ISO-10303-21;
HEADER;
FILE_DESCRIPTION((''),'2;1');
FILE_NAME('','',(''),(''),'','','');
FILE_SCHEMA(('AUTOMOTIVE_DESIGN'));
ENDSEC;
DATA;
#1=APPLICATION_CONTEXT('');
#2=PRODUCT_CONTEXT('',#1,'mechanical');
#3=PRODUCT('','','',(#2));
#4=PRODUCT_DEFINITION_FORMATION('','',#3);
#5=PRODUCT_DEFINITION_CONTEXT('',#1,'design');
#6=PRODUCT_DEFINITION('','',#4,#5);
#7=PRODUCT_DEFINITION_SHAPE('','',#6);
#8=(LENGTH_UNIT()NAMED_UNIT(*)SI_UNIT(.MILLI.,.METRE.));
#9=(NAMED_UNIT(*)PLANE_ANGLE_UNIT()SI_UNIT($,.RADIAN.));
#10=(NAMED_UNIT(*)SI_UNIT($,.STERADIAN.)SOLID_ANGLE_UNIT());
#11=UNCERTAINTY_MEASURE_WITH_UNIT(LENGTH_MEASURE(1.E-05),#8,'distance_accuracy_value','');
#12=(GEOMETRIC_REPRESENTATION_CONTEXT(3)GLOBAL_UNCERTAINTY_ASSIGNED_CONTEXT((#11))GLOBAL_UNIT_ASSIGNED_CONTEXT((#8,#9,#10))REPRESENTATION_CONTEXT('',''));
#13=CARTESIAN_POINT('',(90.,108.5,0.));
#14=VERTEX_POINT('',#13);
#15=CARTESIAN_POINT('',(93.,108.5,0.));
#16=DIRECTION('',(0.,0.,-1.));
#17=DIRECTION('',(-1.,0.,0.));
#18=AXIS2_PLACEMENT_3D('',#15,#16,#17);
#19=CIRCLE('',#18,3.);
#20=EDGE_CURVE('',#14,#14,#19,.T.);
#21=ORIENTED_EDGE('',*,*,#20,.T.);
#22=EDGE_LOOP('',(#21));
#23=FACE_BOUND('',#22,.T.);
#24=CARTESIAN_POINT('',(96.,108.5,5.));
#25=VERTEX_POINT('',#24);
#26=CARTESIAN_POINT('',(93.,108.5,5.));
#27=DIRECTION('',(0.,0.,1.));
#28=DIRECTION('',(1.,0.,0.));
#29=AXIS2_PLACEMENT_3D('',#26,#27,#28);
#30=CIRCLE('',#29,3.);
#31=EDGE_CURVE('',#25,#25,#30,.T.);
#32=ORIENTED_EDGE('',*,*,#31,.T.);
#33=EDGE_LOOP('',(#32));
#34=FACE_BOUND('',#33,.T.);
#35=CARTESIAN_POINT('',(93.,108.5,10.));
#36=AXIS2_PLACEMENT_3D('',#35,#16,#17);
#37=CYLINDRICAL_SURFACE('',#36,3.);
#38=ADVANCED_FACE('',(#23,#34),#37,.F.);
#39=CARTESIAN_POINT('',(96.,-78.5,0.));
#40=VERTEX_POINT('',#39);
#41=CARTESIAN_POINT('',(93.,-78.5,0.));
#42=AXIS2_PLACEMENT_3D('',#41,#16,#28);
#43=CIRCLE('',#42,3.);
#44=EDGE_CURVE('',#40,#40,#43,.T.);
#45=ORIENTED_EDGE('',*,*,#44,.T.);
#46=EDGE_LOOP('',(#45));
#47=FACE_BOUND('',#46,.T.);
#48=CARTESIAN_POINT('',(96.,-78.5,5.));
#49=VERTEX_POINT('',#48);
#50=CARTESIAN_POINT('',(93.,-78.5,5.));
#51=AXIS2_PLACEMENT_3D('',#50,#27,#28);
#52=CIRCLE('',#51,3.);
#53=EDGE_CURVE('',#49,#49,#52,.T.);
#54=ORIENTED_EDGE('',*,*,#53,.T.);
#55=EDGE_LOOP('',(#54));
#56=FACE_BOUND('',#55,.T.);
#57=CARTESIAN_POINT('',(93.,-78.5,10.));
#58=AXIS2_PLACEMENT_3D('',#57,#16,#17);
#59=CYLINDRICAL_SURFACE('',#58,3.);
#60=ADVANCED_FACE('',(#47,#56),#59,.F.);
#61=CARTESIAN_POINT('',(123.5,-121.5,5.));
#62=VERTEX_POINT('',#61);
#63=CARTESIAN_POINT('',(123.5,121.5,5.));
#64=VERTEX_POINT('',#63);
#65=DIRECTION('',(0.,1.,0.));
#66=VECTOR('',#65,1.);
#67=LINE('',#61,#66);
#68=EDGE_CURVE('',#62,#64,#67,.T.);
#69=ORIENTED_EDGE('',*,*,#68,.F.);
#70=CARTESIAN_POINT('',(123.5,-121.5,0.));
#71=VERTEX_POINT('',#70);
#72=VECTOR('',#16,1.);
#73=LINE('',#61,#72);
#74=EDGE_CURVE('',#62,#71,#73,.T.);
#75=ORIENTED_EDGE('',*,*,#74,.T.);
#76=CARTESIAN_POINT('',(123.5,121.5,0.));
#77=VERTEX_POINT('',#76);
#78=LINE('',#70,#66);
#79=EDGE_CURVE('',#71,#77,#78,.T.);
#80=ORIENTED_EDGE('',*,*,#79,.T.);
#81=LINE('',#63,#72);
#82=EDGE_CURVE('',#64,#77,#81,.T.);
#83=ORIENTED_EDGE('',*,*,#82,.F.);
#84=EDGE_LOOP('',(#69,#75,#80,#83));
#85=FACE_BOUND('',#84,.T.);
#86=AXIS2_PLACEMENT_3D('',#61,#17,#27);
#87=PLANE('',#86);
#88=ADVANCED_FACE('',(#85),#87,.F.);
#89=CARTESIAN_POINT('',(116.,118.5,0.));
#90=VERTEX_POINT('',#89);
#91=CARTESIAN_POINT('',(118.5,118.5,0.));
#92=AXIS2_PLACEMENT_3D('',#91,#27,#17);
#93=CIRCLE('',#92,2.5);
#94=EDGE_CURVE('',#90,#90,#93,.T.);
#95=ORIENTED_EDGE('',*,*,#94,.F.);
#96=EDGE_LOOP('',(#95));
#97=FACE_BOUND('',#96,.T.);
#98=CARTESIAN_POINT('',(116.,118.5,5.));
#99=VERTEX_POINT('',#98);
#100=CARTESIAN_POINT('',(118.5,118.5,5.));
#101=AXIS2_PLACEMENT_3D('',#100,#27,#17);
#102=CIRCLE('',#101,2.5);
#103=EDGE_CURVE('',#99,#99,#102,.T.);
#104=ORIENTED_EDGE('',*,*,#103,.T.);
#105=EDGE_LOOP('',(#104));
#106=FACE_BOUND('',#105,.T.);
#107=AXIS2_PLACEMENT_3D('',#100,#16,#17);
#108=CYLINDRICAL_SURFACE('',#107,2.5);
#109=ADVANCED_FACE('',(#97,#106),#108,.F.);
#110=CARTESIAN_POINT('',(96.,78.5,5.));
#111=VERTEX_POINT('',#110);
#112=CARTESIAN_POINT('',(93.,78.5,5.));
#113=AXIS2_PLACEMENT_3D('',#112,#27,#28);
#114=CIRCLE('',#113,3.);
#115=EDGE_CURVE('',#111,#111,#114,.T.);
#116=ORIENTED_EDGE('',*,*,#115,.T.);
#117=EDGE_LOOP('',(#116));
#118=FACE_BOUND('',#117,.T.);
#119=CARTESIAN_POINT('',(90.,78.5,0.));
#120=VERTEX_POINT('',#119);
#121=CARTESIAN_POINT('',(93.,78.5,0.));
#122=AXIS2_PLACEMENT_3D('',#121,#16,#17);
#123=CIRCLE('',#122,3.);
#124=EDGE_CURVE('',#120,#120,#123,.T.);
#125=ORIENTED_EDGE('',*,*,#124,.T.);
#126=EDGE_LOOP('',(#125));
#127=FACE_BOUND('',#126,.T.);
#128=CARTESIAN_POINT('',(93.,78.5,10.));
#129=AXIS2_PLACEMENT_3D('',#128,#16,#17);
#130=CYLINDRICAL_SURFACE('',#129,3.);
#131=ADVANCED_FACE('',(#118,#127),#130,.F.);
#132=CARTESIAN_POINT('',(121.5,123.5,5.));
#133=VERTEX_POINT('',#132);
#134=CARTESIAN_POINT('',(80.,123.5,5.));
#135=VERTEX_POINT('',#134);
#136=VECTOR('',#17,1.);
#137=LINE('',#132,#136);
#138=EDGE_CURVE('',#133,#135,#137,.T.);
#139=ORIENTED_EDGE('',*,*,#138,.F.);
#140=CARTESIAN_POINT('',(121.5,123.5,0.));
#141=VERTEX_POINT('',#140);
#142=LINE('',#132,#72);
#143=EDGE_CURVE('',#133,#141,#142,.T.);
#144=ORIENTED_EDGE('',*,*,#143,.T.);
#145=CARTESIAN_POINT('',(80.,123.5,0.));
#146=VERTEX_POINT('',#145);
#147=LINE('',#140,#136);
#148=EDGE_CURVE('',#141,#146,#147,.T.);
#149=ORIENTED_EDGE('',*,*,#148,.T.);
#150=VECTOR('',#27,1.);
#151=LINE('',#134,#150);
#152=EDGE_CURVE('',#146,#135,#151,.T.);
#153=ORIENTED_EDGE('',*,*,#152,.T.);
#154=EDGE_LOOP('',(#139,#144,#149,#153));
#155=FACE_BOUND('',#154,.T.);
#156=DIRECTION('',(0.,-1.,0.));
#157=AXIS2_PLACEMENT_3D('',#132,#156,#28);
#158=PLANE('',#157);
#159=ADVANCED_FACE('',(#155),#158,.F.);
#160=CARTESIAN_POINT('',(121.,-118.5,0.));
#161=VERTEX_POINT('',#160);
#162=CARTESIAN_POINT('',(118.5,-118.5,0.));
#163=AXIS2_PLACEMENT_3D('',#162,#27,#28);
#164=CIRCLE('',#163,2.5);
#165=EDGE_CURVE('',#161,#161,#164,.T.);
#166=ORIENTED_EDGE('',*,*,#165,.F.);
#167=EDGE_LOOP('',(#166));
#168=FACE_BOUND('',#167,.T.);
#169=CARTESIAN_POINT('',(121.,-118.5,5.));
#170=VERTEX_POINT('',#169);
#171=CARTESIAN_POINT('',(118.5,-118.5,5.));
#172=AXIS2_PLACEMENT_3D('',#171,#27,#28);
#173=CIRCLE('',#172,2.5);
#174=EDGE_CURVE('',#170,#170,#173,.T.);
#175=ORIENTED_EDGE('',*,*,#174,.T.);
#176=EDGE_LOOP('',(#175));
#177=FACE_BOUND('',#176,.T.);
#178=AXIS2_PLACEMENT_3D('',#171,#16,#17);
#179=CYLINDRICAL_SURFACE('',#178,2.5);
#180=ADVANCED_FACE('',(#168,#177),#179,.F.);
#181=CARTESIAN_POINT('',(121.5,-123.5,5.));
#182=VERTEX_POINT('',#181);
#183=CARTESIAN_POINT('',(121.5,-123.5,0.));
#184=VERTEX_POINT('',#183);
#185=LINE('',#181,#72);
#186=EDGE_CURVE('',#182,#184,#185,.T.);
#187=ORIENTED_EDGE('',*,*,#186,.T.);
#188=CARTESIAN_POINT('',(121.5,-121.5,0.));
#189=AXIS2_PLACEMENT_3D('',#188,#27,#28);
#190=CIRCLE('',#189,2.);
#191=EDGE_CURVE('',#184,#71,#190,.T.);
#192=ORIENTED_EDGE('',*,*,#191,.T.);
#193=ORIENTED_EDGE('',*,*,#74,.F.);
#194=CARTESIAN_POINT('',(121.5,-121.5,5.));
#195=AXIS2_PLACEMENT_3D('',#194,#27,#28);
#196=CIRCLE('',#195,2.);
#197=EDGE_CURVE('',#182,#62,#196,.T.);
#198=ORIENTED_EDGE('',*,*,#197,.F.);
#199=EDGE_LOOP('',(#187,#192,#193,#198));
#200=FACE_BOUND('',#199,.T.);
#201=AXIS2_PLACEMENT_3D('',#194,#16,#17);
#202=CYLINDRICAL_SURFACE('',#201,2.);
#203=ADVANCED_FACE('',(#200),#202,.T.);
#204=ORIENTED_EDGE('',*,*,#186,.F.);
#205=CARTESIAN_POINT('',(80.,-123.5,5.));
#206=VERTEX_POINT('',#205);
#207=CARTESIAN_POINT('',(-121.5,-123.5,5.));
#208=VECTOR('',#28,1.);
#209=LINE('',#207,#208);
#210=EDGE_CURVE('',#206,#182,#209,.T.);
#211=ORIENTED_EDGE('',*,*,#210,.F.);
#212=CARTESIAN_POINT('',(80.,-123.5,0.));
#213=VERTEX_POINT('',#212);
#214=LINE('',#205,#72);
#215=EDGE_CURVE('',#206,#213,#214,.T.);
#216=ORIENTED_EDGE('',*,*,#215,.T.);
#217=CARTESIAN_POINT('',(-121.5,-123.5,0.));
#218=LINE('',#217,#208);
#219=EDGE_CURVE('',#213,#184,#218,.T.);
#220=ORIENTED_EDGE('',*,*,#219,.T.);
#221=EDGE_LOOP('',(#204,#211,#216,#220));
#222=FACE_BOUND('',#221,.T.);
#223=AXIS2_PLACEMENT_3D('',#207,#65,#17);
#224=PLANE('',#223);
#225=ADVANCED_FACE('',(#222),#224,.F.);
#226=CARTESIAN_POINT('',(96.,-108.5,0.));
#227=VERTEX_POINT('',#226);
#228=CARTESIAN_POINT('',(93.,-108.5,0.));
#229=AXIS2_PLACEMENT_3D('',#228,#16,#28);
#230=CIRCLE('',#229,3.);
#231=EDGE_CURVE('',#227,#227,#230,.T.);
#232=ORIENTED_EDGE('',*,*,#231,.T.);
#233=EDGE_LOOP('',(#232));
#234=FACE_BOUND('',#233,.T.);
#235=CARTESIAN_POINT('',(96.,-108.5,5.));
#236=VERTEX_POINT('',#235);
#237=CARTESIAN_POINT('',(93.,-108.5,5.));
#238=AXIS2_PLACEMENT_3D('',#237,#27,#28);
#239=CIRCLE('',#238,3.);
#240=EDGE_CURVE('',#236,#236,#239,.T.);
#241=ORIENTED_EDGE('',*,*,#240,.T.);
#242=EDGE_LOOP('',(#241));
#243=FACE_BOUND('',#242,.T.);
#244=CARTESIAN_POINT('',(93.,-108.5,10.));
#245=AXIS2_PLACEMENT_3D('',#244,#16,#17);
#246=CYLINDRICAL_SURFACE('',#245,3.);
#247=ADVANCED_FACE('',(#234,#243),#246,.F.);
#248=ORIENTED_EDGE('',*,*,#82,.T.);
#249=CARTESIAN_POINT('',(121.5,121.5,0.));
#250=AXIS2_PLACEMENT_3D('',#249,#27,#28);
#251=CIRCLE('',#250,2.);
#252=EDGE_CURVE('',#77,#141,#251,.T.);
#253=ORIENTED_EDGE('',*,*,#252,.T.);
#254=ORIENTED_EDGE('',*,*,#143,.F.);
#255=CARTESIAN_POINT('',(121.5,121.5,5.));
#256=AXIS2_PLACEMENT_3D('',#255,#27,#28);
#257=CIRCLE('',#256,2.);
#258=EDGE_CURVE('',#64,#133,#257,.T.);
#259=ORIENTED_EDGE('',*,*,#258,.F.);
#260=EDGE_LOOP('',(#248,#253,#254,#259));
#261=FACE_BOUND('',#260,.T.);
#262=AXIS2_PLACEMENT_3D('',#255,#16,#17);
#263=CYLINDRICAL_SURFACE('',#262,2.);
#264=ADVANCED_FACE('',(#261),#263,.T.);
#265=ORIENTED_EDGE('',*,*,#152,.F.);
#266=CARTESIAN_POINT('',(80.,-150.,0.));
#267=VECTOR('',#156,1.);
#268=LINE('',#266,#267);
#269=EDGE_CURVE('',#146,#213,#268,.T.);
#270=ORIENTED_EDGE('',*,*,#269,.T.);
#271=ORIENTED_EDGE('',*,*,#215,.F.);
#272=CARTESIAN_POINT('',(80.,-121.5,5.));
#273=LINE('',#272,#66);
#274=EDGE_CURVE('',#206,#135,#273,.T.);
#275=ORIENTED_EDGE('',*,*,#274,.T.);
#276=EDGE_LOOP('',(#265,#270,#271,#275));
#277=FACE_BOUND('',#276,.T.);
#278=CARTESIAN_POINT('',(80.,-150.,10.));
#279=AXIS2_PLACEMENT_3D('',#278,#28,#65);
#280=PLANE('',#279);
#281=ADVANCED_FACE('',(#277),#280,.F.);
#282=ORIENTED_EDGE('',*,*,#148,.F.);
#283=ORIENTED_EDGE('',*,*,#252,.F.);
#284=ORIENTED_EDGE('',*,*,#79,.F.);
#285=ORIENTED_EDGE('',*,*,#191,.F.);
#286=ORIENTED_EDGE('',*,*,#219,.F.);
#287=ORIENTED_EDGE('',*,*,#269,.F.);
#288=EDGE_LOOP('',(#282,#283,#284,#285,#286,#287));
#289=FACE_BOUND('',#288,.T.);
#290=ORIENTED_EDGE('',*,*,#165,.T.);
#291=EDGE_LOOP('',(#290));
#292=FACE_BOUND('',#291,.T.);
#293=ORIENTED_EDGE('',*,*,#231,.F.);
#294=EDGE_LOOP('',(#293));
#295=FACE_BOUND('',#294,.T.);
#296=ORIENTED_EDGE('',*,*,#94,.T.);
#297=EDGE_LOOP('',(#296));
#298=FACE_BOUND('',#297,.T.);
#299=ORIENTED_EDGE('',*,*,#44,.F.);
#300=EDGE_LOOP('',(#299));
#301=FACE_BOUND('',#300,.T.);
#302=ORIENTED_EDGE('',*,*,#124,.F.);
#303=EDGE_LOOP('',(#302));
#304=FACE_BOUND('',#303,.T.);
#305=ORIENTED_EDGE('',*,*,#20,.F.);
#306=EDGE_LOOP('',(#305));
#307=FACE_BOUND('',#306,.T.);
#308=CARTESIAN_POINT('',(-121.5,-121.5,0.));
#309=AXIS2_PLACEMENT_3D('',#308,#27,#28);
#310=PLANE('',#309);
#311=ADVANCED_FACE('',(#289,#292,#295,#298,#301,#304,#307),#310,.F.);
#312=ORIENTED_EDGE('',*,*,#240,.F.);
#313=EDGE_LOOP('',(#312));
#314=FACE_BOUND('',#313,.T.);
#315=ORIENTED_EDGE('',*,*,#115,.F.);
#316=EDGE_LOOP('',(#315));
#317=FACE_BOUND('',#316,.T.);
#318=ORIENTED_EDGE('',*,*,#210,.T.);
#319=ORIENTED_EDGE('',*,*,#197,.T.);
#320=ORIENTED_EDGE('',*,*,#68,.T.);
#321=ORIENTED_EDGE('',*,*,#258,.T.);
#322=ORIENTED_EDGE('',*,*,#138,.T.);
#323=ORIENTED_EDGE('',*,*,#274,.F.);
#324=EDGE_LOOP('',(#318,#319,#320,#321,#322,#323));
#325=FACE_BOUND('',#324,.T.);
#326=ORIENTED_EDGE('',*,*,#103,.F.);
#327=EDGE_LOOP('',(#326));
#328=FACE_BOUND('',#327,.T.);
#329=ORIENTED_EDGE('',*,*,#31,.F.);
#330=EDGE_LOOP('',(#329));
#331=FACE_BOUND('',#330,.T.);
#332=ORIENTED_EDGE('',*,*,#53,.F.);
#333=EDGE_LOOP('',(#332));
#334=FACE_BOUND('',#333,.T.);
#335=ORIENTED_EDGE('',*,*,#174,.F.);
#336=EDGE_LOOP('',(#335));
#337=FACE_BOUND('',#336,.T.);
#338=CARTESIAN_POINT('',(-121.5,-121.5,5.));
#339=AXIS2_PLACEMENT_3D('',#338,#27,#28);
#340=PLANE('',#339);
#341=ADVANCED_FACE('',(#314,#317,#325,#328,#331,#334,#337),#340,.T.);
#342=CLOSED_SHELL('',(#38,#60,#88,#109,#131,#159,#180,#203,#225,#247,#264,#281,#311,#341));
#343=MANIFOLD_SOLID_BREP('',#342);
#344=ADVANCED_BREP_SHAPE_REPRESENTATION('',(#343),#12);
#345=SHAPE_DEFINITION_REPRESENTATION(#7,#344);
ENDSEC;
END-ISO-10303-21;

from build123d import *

# Parameters (mm, degrees)
SKETCH1_R           = 2.5
BOSS_EXTRUDE1_DEPTH = 5
SKETCH2_R           = 1.5
SKETCH2_W           = 50
SKETCH2_H           = 50
CUT_EXTRUDE1_DEPTH  = 5
SKETCH3_W           = 250
SKETCH3_H           = 300
CUT_EXTRUDE2_DEPTH  = 10
SKETCH4_R           = 3
CUT_EXTRUDE3_DEPTH  = 10


with BuildPart() as part:
    # Sketch1 → Boss-Extrude1 (new body)
    with BuildSketch(Plane.XY):
        with BuildLine():
            Line((-123.5, 121.5), (-123.5, -121.5))
            ThreePointArc((-123.5, -121.5), (-122.914213562, -122.914213562), (-121.5, -123.5))
            Line((-121.5, -123.5), (121.5, -123.5))
            ThreePointArc((121.5, -123.5), (122.914213562, -122.914213562), (123.5, -121.5))
            Line((123.5, -121.5), (123.5, 121.5))
            ThreePointArc((123.5, 121.5), (122.914213562, 122.914213562), (121.5, 123.5))
            Line((121.5, 123.5), (-121.5, 123.5))
            ThreePointArc((-121.5, 123.5), (-122.914213562, 122.914213562), (-123.5, 121.5))
        make_face()
        with Locations((-118.5, 118.5)):
            Circle(SKETCH1_R, mode=Mode.SUBTRACT)
        with Locations((118.5, 118.5)):
            Circle(SKETCH1_R, mode=Mode.SUBTRACT)
        with Locations((118.5, -118.5)):
            Circle(SKETCH1_R, mode=Mode.SUBTRACT)
        with Locations((-118.5, -118.5)):
            Circle(SKETCH1_R, mode=Mode.SUBTRACT)
    extrude(amount=BOSS_EXTRUDE1_DEPTH)

    # Sketch2 → Cut-Extrude1 (cut)
    with BuildSketch(Plane(origin=(0, 0, 0), x_dir=(-1, 0, 0), z_dir=(0, 0, -1))):
        with Locations((28.284271247, 28.284271247)):
            Circle(SKETCH2_R)
        with Locations((28.284271247, -28.284271247)):
            Circle(SKETCH2_R)
        with Locations((-28.284271247, -28.284271247)):
            Circle(SKETCH2_R)
        with Locations((-28.284271247, 28.284271247)):
            Circle(SKETCH2_R)
        Rectangle(SKETCH2_W, SKETCH2_H)
    extrude(amount=-CUT_EXTRUDE1_DEPTH, mode=Mode.SUBTRACT)

    # Sketch3 → Cut-Extrude2 (cut)
    with BuildSketch(Plane(origin=(0, 0, 0), x_dir=(-1, 0, 0), z_dir=(0, 0, -1))):
        with Locations((45, 0)):
            Rectangle(SKETCH3_W, SKETCH3_H)
    extrude(amount=-CUT_EXTRUDE2_DEPTH, mode=Mode.SUBTRACT)

    # Sketch4 → Cut-Extrude3 (cut)
    with BuildSketch(Plane(origin=(0, 0, 0), x_dir=(-1, 0, 0), z_dir=(0, 0, -1))):
        with Locations((-93, 78.5)):
            Circle(SKETCH4_R)
        with Locations((-93, 108.5)):
            Circle(SKETCH4_R)
        with Locations((-93, -78.5)):
            Circle(SKETCH4_R)
        with Locations((-93, -108.5)):
            Circle(SKETCH4_R)
    extrude(amount=-CUT_EXTRUDE3_DEPTH, mode=Mode.SUBTRACT)


solid = part.part
